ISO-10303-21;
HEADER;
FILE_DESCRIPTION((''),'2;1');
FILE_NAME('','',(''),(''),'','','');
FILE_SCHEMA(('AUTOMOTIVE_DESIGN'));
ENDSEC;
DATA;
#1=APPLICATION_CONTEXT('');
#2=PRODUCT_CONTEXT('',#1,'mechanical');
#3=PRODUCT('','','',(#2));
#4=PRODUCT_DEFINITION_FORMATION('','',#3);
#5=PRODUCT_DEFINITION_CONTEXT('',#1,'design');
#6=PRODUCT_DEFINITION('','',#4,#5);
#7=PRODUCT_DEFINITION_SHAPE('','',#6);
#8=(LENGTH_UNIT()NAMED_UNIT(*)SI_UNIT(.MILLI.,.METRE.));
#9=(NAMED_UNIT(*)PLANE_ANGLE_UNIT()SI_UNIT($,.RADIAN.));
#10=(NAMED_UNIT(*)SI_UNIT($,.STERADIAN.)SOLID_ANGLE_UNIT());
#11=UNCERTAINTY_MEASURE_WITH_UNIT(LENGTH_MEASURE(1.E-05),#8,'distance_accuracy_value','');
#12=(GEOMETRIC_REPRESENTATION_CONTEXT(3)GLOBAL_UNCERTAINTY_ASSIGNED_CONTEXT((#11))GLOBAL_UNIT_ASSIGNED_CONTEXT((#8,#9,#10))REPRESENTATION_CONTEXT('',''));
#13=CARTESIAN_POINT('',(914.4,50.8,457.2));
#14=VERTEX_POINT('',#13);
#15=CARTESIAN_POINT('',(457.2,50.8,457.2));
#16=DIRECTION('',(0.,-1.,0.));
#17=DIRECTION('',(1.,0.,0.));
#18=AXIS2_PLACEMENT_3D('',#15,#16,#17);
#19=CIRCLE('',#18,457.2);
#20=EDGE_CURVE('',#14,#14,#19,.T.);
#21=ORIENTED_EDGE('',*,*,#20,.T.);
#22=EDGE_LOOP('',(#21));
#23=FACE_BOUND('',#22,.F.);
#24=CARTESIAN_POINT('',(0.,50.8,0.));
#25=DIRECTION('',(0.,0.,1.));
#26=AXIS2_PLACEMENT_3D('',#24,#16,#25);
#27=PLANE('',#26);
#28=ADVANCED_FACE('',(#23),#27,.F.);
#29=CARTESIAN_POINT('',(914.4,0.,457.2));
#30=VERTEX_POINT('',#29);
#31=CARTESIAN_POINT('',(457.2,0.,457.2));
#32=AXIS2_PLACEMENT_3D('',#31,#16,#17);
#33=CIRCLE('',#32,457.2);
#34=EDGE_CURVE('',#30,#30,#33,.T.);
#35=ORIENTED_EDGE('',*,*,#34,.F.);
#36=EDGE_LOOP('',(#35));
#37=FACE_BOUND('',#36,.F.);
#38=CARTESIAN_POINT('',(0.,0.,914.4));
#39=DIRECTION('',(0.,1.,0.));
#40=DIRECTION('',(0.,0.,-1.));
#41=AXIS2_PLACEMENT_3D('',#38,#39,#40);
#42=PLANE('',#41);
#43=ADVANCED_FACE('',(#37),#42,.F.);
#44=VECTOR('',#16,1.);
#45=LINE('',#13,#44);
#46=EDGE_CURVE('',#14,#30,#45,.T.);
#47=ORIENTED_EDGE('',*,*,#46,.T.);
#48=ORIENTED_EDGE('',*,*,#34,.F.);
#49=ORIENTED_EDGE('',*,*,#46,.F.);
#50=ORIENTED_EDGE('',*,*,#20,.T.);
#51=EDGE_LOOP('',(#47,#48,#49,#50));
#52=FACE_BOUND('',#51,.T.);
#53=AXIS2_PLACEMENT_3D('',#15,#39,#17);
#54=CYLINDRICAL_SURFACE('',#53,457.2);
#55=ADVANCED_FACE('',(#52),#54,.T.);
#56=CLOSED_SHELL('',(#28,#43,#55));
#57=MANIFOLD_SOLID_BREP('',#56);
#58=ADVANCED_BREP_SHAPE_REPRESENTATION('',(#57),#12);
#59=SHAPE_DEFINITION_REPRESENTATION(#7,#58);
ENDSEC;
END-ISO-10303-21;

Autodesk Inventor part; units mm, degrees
ref_plane "YZ Plane" through (0, 0, 0) normal (1, 0, 0) x (0, 1, 0)
ref_plane "XZ Plane" through (0, 0, 0) normal (0, 1, 0) x (-1, 0, 0)
ref_plane "XY Plane" through (0, 0, 0) normal (0, 0, 1) x (1, 0, 0)
sketch "Sketch1" plane through (0, 0, 0) normal (1, 0, 0) x (0, 1, 0)
  line L0 (0, 0) -> (50.8, 0)
  line L1 (50.8, 0) -> (50.8, 914.4)
  line L2 (50.8, 914.4) -> (0, 914.4)
  line L3 (0, 914.4) -> (0, 0)
  dimension "d0" = 50.8
  dimension "d1" = 914.4
extrude "Extrusion1" add sketch "Sketch1" along normal blind 914.4
sketch "Sketch2" plane through (0, 50.8, 914.4) normal (0, 1, 0) x (1, 0, 0)
  line L0 (0, 914.4) -> (0, 0) projected
  line L1 (0, 0) -> (914.4, 0) projected
  line L2 (914.4, 914.4) -> (914.4, 0) projected
  line L3 (0, 914.4) -> (914.4, 914.4) projected
  line L4 (0, 914.4) -> (914.4, 914.4) construction
  line L5 (457.2, 914.4) -> (457.2, 0) construction
  circle A0 centre (457.2, 457.2) radius 457.2
  point P0 (0, 457.2)
  point P1 (914.4, 457.2)
  point P2 (457.2, 0)
extrude "Extrusion2" cut sketch "Sketch2" along normal through all both and the other way through all contours L3 A0 L0 | A0 L1 L0 | L3 L2 A0 | A0 L2 L1
properties part number "2x36x36-1" material "Granite, Cut, Polished"
